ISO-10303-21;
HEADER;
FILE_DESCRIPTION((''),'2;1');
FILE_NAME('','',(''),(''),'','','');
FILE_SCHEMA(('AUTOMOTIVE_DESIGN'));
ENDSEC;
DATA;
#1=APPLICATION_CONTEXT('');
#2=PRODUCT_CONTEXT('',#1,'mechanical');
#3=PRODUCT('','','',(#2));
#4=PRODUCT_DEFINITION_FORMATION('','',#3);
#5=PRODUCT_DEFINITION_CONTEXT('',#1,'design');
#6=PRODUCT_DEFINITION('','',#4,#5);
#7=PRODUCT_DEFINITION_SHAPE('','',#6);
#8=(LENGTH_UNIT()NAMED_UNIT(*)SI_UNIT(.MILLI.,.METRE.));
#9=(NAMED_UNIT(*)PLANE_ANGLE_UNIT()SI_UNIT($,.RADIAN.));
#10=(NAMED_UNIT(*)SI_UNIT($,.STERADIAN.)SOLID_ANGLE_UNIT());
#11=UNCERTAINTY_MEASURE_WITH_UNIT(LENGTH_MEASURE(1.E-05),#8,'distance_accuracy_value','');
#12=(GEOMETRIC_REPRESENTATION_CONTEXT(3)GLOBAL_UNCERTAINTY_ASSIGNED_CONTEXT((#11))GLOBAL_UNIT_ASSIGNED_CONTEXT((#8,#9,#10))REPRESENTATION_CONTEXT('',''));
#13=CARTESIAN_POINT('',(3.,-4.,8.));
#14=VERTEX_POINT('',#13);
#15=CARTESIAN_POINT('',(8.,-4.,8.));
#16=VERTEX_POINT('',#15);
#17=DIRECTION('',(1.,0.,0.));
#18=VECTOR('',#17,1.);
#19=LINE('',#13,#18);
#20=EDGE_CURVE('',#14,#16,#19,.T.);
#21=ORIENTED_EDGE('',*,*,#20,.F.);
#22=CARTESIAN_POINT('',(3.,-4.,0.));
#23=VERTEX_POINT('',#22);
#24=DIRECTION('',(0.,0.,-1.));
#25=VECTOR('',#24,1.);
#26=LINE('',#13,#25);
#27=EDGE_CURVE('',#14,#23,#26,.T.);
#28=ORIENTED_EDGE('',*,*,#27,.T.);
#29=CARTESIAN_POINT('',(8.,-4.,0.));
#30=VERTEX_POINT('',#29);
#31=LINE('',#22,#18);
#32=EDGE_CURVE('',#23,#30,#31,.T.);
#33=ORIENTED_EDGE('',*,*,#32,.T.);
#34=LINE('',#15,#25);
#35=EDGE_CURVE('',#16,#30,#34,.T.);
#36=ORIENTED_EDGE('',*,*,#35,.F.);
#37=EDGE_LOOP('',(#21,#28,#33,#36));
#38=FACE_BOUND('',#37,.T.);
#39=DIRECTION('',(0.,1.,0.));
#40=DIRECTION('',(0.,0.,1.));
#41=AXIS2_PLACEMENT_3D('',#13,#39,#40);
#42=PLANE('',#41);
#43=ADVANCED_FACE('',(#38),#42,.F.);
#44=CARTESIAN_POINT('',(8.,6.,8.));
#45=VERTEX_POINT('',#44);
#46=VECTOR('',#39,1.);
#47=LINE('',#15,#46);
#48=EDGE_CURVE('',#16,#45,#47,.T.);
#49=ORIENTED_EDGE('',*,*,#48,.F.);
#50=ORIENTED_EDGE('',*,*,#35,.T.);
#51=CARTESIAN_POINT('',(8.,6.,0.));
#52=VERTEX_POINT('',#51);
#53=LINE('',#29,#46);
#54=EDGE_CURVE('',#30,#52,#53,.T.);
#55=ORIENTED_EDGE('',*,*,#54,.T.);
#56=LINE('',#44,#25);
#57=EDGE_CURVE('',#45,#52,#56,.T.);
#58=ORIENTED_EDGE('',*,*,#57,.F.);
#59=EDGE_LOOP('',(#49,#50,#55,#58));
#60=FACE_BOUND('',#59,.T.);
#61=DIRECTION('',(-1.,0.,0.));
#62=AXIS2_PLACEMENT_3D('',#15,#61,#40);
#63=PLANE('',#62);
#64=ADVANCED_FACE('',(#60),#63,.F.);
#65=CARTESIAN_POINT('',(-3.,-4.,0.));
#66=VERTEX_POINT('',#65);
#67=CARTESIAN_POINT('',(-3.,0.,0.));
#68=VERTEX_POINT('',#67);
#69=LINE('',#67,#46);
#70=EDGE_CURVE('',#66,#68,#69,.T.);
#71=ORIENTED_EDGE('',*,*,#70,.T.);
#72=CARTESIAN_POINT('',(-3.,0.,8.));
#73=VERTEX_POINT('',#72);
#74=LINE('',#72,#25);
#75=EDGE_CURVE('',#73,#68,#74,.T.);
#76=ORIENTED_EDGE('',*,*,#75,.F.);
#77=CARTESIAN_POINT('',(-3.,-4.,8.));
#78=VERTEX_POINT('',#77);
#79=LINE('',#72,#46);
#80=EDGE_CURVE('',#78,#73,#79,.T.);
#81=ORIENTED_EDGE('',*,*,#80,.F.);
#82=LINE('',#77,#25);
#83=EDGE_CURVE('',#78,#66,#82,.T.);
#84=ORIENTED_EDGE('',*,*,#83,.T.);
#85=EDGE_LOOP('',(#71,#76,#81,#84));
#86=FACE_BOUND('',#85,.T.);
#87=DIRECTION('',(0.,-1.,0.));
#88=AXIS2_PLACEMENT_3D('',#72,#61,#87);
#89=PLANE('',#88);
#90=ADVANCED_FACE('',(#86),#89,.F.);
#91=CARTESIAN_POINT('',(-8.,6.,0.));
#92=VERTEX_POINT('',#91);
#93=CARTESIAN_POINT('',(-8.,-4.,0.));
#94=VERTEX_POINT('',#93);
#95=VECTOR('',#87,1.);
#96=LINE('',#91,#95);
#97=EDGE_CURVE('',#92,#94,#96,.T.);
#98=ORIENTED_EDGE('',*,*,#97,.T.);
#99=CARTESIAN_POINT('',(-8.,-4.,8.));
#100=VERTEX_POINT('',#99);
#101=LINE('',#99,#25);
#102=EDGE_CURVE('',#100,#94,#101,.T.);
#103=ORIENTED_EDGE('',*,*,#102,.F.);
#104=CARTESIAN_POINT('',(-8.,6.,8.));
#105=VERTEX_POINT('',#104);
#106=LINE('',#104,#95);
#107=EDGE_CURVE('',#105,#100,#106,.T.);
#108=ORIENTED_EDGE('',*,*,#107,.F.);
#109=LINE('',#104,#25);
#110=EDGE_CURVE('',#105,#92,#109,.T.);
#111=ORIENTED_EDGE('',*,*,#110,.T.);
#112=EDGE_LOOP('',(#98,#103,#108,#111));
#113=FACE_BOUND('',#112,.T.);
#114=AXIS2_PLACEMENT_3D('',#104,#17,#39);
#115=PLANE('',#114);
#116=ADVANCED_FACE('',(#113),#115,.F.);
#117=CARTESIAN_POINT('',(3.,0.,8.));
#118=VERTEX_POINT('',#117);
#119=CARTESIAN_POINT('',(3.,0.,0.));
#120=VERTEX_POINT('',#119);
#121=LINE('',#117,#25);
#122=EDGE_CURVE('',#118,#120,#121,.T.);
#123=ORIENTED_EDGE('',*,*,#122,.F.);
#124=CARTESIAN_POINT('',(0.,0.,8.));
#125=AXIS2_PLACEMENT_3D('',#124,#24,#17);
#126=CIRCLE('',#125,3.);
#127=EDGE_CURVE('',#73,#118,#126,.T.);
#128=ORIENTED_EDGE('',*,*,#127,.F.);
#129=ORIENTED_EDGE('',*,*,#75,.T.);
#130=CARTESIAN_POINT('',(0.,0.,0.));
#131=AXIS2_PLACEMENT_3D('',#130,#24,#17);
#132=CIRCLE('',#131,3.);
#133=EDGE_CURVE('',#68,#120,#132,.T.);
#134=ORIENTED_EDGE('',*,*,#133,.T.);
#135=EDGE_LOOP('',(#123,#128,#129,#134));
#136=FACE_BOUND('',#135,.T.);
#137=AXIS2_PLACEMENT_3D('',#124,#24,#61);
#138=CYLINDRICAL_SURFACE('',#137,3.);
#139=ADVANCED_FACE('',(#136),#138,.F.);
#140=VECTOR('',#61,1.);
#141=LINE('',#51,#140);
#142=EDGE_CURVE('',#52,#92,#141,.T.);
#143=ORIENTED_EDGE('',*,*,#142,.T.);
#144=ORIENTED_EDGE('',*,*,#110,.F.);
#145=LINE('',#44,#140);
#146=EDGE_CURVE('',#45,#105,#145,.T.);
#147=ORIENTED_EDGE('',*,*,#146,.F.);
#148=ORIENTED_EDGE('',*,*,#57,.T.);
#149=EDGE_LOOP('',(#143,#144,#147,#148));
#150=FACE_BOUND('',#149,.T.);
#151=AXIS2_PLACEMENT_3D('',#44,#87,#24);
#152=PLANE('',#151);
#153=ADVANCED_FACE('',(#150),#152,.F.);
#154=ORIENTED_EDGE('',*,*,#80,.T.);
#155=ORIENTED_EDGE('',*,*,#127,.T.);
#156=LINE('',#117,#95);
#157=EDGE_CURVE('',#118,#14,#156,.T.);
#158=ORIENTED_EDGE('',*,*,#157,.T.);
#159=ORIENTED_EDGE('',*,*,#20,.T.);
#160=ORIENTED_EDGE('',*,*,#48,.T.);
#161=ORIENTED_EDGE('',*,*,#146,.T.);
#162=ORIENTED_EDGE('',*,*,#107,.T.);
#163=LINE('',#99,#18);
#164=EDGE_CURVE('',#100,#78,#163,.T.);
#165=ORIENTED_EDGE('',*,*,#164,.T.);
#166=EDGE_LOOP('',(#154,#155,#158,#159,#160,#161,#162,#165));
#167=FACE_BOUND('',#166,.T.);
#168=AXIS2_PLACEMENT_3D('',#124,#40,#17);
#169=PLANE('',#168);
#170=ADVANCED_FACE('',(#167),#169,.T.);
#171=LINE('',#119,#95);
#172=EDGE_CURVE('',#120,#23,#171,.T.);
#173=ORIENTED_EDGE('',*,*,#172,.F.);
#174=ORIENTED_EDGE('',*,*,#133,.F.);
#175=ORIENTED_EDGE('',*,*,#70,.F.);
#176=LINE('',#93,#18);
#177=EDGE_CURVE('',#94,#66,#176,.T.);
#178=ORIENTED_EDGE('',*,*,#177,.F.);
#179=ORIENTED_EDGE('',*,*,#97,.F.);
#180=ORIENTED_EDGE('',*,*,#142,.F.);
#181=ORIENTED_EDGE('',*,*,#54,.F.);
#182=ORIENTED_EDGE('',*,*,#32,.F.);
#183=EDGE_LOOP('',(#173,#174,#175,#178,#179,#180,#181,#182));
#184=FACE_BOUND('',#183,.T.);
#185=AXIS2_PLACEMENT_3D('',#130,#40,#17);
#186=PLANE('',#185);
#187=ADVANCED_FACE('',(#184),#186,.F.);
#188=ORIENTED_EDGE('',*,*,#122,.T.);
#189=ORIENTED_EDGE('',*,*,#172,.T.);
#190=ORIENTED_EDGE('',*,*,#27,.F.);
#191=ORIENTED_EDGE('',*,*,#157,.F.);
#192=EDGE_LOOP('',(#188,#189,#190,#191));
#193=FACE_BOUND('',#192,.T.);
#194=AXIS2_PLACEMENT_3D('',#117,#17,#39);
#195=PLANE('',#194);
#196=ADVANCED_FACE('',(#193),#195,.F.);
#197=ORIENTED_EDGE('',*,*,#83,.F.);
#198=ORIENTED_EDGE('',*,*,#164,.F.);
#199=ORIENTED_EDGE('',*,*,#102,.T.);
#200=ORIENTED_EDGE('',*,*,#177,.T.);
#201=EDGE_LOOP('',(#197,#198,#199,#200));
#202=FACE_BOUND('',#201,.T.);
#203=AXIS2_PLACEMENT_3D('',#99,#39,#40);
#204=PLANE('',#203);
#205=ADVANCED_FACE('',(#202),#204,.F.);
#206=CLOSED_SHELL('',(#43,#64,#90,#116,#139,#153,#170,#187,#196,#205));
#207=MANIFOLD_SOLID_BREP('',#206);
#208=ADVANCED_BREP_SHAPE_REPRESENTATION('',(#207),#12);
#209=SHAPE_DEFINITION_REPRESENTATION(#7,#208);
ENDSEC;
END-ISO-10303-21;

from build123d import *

# Parameters (mm, degrees)
BOSS_EXTRUDE1_DEPTH = 8


with BuildPart() as part:
    # Sketch3 → Boss-Extrude1 (new body)
    with BuildSketch(Plane.XY):
        with BuildLine():
            Line((-3, 0), (-3, -4))
            Line((-3, -4), (-8, -4))
            Line((-8, -4), (-8, 6))
            Line((-8, 6), (8, 6))
            Line((8, 6), (8, -4))
            Line((8, -4), (3, -4))
            Line((3, -4), (3, 0))
            ThreePointArc((3, 0), (0, 3), (-3, 0))
        make_face()
    extrude(amount=BOSS_EXTRUDE1_DEPTH)


solid = part.part
